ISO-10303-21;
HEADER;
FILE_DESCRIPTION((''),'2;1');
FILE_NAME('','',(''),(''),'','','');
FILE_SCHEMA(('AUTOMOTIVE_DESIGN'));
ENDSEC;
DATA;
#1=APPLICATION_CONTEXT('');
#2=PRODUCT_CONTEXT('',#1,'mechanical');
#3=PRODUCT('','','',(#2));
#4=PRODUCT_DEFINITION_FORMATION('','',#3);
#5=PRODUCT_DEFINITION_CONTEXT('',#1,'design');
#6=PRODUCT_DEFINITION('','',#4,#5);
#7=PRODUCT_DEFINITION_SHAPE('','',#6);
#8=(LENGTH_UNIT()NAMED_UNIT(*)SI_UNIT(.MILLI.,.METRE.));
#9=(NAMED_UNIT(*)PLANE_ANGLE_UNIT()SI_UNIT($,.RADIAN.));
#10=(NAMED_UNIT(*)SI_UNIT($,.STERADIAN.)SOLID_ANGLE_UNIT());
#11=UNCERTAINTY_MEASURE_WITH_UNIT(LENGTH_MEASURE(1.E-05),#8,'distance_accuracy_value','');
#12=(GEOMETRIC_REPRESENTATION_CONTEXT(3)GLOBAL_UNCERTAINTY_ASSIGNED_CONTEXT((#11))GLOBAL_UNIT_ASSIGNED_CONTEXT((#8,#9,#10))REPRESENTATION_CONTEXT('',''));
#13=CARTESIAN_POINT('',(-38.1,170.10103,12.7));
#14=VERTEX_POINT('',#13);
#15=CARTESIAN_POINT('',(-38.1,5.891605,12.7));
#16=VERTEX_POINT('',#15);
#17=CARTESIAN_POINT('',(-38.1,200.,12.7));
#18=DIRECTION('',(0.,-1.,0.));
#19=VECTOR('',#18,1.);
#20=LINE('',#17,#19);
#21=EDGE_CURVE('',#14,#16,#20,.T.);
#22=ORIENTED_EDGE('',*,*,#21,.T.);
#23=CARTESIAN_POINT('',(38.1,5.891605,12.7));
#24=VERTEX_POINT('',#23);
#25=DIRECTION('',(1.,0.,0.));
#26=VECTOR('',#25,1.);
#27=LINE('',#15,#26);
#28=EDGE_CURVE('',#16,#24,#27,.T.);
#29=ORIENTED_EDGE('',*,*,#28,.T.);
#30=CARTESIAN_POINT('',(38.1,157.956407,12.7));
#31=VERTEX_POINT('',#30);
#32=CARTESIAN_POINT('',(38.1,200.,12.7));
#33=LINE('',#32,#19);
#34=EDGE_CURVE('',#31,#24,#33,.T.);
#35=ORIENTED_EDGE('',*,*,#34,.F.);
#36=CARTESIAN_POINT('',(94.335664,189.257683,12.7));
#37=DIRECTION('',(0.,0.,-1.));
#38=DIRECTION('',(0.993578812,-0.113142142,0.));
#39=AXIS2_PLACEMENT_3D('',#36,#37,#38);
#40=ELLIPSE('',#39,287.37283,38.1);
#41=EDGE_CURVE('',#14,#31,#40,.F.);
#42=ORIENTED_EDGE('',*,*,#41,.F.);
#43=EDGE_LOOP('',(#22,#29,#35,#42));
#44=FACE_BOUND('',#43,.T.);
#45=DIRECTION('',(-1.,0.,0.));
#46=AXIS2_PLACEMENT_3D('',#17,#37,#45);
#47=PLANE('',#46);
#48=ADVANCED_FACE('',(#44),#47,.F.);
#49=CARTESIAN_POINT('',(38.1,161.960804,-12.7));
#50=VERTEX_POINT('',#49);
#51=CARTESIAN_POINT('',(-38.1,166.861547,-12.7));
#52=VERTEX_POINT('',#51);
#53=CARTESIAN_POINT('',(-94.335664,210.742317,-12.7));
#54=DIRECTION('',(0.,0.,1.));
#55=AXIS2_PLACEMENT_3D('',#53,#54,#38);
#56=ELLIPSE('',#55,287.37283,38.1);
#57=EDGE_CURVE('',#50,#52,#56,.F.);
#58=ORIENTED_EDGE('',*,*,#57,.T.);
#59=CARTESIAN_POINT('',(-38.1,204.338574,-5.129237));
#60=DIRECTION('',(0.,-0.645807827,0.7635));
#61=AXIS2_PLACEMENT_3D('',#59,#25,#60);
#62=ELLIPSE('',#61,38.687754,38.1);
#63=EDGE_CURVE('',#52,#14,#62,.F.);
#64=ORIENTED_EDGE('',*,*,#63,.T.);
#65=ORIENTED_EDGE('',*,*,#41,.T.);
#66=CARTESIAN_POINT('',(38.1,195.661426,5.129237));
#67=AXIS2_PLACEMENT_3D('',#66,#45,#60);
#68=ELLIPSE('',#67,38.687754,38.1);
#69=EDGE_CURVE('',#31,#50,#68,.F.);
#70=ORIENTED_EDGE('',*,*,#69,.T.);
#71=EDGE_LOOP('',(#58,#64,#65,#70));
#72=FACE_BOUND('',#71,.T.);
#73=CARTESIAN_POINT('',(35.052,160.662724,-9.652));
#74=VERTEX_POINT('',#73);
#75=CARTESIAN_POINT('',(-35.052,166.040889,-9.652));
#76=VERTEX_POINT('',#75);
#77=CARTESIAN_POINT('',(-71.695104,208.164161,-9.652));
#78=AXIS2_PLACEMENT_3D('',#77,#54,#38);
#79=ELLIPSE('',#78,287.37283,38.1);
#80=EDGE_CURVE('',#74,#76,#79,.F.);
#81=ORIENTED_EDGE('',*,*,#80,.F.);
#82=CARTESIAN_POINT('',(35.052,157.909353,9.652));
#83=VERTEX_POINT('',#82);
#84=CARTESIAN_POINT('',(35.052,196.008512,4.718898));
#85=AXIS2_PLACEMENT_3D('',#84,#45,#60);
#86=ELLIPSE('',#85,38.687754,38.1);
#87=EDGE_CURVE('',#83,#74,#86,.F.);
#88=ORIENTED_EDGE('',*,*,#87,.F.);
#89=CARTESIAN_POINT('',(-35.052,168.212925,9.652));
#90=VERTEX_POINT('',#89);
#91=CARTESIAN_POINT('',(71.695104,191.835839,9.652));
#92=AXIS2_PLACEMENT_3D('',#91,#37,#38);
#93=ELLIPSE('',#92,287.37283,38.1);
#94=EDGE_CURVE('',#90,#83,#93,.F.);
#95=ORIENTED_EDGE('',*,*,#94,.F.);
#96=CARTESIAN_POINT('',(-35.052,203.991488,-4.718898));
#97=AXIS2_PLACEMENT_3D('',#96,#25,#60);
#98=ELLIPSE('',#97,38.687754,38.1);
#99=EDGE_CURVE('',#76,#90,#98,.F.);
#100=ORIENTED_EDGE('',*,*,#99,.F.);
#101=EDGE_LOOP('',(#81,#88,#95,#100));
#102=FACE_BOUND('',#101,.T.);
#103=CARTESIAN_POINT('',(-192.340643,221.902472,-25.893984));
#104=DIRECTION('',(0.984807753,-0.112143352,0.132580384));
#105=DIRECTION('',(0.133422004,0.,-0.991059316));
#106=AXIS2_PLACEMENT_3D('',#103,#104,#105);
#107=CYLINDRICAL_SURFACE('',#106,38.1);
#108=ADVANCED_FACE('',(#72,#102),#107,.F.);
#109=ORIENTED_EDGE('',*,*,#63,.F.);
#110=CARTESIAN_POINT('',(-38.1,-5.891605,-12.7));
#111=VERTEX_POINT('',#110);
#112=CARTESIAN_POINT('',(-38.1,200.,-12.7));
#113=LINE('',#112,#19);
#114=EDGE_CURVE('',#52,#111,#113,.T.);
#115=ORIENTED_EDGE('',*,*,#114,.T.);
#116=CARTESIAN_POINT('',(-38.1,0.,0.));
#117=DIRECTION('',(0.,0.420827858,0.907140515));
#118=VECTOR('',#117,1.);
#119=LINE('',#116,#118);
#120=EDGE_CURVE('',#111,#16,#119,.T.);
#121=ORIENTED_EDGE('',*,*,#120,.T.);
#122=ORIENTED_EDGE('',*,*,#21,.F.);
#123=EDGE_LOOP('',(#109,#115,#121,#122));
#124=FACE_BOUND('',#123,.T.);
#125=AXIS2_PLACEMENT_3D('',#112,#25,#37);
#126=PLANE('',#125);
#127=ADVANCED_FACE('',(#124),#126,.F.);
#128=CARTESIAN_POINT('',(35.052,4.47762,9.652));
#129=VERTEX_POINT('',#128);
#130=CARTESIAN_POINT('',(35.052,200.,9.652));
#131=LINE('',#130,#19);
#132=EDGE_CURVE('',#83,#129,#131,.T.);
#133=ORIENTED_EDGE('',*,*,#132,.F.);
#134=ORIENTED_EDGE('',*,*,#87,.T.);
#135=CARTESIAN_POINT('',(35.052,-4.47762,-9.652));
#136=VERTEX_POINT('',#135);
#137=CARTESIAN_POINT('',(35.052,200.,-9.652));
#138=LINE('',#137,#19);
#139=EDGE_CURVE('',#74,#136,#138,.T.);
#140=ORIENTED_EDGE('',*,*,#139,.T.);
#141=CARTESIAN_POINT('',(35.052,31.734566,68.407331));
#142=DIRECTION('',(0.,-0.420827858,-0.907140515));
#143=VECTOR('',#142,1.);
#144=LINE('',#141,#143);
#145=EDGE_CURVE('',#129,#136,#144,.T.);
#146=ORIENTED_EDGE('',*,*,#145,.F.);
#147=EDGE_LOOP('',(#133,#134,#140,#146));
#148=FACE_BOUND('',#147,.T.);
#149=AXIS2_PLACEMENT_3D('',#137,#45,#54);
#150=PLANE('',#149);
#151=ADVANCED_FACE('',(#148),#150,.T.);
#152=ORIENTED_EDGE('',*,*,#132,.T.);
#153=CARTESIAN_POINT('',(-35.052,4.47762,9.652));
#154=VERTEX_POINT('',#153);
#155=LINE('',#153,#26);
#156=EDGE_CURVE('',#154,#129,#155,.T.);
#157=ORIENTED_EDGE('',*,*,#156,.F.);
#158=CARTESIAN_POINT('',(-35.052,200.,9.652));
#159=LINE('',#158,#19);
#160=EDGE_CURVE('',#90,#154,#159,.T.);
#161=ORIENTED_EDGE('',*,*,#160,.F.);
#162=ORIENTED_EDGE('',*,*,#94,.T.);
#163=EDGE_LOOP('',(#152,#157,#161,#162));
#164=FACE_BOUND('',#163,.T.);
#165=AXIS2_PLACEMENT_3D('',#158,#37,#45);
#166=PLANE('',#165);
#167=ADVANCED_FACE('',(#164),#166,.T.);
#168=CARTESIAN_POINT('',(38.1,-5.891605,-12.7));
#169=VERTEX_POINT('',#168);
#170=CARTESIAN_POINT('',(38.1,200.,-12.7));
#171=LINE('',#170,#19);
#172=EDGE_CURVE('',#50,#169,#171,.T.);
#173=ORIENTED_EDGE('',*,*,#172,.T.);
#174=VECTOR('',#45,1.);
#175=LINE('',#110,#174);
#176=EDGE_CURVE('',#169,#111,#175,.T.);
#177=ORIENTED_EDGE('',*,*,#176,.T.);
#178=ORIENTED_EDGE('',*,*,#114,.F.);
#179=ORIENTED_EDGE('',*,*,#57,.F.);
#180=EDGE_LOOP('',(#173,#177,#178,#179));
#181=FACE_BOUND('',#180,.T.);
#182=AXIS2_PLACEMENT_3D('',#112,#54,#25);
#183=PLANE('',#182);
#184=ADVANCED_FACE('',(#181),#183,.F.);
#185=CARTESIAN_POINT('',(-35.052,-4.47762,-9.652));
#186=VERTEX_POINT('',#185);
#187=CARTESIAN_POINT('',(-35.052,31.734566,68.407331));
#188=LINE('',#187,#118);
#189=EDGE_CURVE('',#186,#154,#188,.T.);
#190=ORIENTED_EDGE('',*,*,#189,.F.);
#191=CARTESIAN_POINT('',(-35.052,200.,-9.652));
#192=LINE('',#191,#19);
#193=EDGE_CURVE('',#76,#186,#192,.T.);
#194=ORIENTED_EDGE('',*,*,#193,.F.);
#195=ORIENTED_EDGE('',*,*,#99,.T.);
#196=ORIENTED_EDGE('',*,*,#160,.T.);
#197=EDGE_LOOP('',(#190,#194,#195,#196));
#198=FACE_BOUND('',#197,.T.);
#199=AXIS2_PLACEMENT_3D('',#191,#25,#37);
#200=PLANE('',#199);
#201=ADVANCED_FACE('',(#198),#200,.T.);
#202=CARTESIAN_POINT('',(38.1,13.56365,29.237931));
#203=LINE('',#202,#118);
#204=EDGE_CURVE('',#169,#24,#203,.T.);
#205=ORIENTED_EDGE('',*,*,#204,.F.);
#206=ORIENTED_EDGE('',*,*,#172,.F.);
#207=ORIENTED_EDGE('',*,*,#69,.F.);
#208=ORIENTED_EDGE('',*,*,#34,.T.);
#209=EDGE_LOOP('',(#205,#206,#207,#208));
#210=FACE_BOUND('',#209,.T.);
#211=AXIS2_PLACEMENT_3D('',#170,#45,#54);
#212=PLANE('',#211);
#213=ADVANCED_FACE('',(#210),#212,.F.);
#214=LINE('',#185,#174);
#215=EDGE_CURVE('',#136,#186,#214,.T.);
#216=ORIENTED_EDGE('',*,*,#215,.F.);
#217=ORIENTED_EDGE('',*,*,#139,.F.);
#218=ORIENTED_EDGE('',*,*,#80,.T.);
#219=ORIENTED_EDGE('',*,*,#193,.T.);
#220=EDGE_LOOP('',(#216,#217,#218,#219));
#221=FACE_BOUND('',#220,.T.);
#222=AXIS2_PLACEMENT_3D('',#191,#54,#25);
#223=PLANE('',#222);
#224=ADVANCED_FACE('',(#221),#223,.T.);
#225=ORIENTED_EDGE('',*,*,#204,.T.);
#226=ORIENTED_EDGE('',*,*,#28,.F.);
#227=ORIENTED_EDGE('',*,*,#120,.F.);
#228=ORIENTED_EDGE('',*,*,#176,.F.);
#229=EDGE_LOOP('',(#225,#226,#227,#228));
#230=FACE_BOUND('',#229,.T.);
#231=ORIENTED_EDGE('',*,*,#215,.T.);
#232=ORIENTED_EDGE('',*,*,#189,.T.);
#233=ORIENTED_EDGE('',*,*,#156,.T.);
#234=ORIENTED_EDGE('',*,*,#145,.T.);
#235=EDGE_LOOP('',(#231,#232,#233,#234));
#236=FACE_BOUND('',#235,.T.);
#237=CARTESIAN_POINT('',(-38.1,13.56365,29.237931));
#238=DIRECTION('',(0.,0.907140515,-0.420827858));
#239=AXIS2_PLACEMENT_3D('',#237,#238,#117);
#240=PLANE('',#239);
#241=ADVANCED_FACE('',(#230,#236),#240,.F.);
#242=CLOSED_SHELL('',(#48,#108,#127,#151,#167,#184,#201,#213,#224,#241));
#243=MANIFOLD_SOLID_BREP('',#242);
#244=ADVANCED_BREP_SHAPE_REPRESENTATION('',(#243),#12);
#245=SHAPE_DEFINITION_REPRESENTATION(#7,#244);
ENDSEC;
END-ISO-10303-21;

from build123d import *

# Parameters (mm, degrees)
SKETCH1_W           = 76.2
SKETCH1_H           = 25.4
SKETCH1_W_2         = 70.104
SKETCH1_H_2         = 19.304
BOSS_EXTRUDE1_DEPTH = 200
SKETCH3_W           = 76.2
SKETCH3_H           = 25.4
SKETCH3_W_2         = 70.104
SKETCH3_H_2         = 19.304
BOSS_EXTRUDE2_DEPTH = 38.1
CUT_EXTRUDE1_DEPTH  = 77.2
CUT_EXTRUDE2_START  = 13.832764
SKETCH6_R           = 38.1
CUT_EXTRUDE2_DEPTH  = 83.124802


with BuildPart() as part:
    # Sketch1 → Boss-Extrude1 (new body)
    with BuildSketch(Plane(origin=(0, 0, 0), x_dir=(1, 0, 0), z_dir=(0, 1, 0))):
        Rectangle(SKETCH1_W, SKETCH1_H)
        Rectangle(SKETCH1_W_2, SKETCH1_H_2, mode=Mode.SUBTRACT)
    extrude(amount=BOSS_EXTRUDE1_DEPTH)

    # Sketch3 → Boss-Extrude2 (add)
    with BuildSketch(Plane.XZ):
        Rectangle(SKETCH3_W, SKETCH3_H)
        Rectangle(SKETCH3_W_2, SKETCH3_H_2, mode=Mode.SUBTRACT)
    extrude(amount=BOSS_EXTRUDE2_DEPTH)

    # Sketch5 → Cut-Extrude1 (cut, through all)
    with BuildSketch(Plane(origin=(38.1, 0, 0), x_dir=(0, 0, -1), z_dir=(1, 0, 0))):
        Polygon((-27.756394936, -43.348459281), (21.22080401, -61.959922544), (71.342880626, -33.096384918), (0, 0), (-29.237931348, 13.563649542), align=None)
    extrude(amount=-CUT_EXTRUDE1_DEPTH, mode=Mode.SUBTRACT)

    # Sketch6 → Cut-Extrude2 (cut)
    with BuildSketch(Plane(origin=(56.875227758, 193.523427606, 7.656864493), x_dir=(-0.131571603, 0.016382038, 0.991171298), z_dir=(-0.984807753, 0.112143352, -0.132580384)).offset(CUT_EXTRUDE2_START)):
        Circle(SKETCH6_R)
    extrude(amount=CUT_EXTRUDE2_DEPTH, mode=Mode.SUBTRACT)


solid = part.part
